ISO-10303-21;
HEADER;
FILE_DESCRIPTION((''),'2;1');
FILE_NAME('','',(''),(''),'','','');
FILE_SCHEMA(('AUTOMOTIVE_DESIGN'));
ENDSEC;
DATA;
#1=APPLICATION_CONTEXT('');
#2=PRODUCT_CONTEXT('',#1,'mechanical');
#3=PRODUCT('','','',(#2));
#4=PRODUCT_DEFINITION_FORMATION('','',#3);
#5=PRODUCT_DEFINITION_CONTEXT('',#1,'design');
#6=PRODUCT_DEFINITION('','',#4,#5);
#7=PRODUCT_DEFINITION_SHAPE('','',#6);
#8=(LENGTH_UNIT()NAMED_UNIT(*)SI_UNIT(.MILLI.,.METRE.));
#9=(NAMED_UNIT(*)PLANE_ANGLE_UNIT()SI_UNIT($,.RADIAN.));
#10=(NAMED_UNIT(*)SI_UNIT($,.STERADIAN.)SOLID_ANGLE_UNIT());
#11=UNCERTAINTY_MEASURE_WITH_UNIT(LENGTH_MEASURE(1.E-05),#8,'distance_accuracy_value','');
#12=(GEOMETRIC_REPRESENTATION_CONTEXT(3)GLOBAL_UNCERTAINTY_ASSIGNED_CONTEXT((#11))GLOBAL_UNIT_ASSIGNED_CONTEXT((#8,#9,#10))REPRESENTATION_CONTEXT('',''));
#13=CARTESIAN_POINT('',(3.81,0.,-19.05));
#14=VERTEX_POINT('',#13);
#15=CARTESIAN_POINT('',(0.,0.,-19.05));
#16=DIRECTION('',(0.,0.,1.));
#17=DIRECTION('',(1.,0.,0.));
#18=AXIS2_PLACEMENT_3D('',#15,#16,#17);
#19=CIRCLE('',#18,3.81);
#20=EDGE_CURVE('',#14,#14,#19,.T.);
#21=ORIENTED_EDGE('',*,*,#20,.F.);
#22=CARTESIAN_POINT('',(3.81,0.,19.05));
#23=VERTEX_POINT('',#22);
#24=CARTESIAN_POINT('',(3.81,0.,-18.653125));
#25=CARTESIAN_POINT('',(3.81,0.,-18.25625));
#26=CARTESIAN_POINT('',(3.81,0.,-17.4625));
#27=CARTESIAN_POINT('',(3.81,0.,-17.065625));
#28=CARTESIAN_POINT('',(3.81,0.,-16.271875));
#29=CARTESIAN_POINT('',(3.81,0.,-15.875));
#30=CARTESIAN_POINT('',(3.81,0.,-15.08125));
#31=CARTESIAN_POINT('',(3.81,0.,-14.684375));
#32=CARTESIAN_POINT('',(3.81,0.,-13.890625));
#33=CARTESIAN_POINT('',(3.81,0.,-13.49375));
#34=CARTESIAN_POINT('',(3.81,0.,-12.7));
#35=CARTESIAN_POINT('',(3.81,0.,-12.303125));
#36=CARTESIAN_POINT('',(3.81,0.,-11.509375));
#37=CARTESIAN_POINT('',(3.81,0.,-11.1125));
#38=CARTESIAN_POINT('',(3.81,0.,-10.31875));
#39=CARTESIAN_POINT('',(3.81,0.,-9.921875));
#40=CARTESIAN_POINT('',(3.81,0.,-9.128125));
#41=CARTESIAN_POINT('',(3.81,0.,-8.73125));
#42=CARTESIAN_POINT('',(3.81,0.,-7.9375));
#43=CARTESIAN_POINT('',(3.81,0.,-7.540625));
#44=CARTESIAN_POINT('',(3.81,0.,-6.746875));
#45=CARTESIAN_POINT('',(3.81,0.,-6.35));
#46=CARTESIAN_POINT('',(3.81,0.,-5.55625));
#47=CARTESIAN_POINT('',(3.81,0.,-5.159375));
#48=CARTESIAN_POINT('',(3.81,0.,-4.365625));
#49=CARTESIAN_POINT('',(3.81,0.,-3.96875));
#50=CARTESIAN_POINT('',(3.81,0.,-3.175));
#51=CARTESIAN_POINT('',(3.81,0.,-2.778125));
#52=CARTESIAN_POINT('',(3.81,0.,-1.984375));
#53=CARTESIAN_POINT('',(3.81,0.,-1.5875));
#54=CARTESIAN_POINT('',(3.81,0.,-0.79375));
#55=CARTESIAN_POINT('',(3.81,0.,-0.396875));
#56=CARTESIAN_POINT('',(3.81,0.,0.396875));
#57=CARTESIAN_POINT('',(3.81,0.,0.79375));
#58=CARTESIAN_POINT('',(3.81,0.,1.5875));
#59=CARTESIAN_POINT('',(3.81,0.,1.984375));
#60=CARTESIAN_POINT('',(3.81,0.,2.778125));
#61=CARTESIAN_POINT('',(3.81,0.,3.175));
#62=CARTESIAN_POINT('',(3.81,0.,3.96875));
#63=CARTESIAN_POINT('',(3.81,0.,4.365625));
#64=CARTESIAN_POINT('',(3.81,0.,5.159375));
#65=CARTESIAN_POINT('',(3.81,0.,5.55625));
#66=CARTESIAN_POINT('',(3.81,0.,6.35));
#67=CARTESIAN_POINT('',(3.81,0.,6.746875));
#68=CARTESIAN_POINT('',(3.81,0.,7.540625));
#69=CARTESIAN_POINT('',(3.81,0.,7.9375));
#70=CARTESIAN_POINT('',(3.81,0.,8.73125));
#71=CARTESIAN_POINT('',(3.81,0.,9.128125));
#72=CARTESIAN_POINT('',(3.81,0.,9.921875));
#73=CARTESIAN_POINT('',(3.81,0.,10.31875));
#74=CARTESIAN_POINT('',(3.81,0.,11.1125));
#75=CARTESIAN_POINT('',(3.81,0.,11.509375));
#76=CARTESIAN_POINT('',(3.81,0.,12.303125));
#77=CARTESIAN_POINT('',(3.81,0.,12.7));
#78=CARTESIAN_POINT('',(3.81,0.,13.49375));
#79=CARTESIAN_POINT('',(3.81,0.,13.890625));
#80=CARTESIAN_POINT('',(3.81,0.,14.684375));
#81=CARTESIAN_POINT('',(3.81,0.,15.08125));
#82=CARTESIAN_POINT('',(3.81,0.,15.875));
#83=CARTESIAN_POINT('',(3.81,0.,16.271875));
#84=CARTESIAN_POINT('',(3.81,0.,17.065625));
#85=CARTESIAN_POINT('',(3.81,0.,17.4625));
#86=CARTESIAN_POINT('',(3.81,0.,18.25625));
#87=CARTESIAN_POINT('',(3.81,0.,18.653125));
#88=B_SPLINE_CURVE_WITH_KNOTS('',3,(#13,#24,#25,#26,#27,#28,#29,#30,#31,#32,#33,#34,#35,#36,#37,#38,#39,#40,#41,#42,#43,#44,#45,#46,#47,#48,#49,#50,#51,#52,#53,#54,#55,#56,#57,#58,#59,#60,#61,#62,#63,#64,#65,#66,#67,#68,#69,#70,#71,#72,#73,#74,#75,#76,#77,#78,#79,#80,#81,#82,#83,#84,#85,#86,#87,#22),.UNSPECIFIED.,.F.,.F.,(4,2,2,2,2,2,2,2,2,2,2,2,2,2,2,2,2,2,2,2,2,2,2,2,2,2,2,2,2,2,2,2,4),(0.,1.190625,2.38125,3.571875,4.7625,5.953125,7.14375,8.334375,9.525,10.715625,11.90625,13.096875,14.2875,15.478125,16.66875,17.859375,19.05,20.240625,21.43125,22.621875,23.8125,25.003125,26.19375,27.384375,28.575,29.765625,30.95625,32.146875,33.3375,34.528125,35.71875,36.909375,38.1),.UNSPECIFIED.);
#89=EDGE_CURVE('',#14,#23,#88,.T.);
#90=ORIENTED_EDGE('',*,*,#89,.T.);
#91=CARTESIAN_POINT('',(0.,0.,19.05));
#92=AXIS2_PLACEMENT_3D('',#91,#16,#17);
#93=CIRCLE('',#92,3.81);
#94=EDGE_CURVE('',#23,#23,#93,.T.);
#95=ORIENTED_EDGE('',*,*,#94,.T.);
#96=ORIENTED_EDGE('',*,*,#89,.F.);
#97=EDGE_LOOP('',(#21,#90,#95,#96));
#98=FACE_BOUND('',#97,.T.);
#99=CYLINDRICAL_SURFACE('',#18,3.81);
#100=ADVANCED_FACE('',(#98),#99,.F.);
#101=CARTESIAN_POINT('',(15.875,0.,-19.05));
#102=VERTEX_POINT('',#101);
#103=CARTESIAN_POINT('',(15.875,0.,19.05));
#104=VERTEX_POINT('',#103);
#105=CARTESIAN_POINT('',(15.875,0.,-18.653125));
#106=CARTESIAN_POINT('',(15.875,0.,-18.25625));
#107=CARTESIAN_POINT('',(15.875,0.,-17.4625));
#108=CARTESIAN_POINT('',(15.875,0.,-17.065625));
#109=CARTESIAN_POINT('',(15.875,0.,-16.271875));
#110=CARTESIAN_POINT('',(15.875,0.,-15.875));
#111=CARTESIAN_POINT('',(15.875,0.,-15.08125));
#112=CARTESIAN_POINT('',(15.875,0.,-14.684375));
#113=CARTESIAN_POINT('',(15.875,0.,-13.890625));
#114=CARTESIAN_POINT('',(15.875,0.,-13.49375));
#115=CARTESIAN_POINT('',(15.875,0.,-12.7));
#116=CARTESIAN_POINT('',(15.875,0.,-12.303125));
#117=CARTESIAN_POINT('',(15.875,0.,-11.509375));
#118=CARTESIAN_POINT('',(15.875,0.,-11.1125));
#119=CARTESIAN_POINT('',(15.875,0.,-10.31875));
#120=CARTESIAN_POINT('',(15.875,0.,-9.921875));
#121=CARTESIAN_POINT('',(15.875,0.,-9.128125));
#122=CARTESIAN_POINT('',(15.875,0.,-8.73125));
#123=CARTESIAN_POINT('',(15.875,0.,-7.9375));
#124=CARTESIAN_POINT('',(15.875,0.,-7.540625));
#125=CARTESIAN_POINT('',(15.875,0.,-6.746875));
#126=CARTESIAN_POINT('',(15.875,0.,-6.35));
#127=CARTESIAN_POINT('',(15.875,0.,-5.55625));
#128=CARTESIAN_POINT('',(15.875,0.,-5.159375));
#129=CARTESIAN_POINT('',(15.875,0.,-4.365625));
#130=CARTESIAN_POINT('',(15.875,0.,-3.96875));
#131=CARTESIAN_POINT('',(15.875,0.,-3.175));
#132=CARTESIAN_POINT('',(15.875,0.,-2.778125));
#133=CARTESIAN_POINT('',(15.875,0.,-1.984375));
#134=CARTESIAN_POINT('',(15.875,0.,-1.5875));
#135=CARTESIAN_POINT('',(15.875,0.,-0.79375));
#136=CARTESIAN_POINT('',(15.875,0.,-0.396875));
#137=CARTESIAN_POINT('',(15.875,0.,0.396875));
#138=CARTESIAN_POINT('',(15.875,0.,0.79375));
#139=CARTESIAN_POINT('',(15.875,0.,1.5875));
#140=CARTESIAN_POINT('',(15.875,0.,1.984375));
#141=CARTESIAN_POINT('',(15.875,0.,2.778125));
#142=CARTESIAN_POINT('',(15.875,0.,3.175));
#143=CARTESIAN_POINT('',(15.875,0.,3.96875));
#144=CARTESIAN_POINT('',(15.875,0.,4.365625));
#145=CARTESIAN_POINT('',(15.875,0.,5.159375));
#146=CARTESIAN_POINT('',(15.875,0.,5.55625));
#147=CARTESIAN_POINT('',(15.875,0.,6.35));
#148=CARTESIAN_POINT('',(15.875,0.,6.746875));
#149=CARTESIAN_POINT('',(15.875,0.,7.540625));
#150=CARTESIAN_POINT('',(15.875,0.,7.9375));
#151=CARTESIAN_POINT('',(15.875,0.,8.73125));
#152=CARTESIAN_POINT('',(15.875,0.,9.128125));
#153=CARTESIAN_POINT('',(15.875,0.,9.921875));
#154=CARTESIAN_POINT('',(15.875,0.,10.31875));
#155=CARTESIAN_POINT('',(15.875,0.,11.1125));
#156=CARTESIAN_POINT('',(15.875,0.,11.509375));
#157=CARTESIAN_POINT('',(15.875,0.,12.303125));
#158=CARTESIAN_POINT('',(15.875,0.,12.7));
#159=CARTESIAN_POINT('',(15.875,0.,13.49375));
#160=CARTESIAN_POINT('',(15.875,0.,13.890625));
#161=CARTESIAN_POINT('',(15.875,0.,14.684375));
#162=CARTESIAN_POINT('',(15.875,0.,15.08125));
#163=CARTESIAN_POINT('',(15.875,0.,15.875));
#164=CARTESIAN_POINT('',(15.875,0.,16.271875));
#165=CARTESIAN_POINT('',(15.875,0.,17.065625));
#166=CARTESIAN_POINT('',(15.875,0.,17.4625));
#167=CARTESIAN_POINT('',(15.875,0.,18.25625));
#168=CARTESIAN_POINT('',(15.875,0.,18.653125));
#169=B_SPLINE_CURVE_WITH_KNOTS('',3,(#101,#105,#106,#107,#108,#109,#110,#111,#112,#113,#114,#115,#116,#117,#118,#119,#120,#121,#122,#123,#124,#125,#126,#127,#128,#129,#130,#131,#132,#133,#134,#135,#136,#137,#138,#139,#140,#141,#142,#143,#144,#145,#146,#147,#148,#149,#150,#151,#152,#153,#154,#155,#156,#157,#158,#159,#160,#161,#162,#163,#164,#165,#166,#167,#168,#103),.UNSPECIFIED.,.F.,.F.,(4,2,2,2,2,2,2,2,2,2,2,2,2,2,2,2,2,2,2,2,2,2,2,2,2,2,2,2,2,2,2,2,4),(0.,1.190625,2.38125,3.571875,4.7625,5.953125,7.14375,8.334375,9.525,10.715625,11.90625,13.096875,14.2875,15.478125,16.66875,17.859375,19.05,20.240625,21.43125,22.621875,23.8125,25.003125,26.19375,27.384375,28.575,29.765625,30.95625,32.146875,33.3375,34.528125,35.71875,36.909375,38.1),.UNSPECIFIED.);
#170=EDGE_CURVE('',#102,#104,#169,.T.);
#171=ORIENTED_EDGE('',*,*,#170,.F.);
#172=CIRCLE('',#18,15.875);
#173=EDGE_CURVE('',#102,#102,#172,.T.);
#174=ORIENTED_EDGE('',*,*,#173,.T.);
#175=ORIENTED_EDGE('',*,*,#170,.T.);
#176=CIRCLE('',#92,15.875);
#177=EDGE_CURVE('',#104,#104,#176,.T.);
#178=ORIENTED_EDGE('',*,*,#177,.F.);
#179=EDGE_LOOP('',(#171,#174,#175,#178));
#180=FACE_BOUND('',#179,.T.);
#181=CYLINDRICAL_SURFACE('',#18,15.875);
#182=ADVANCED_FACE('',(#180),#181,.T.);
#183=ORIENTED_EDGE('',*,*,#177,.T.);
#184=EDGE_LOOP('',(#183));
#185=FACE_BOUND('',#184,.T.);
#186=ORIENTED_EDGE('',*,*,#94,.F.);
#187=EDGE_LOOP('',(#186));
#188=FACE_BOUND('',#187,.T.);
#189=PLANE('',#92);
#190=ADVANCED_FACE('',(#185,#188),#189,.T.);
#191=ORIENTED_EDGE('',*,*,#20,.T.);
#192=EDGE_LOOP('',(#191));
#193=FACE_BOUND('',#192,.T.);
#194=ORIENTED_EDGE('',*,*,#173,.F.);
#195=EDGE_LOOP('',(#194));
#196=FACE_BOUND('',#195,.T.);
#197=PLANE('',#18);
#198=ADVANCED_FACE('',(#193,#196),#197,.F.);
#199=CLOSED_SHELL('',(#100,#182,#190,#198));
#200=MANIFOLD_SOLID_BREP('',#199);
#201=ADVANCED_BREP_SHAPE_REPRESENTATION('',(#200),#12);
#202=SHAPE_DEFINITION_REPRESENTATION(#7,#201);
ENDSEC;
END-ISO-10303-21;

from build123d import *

# Parameters (mm, degrees)
BOSS_EXTRUDE1_DEPTH      = 19.05
BOSS_EXTRUDE1_DEPTH_BACK = 19.05
SKETCH1_R                = 15.875
SKETCH1_R_2              = 3.81


with BuildPart() as part:
    # Sketch1 → Boss-Extrude1 (new, two sides: drawn at the far end of the back side and taken through both)
    with BuildSketch(Plane.XY.offset(-BOSS_EXTRUDE1_DEPTH_BACK)):
        Circle(SKETCH1_R)
        Circle(SKETCH1_R_2, mode=Mode.SUBTRACT)
    extrude(amount=BOSS_EXTRUDE1_DEPTH + BOSS_EXTRUDE1_DEPTH_BACK)


solid = part.part
